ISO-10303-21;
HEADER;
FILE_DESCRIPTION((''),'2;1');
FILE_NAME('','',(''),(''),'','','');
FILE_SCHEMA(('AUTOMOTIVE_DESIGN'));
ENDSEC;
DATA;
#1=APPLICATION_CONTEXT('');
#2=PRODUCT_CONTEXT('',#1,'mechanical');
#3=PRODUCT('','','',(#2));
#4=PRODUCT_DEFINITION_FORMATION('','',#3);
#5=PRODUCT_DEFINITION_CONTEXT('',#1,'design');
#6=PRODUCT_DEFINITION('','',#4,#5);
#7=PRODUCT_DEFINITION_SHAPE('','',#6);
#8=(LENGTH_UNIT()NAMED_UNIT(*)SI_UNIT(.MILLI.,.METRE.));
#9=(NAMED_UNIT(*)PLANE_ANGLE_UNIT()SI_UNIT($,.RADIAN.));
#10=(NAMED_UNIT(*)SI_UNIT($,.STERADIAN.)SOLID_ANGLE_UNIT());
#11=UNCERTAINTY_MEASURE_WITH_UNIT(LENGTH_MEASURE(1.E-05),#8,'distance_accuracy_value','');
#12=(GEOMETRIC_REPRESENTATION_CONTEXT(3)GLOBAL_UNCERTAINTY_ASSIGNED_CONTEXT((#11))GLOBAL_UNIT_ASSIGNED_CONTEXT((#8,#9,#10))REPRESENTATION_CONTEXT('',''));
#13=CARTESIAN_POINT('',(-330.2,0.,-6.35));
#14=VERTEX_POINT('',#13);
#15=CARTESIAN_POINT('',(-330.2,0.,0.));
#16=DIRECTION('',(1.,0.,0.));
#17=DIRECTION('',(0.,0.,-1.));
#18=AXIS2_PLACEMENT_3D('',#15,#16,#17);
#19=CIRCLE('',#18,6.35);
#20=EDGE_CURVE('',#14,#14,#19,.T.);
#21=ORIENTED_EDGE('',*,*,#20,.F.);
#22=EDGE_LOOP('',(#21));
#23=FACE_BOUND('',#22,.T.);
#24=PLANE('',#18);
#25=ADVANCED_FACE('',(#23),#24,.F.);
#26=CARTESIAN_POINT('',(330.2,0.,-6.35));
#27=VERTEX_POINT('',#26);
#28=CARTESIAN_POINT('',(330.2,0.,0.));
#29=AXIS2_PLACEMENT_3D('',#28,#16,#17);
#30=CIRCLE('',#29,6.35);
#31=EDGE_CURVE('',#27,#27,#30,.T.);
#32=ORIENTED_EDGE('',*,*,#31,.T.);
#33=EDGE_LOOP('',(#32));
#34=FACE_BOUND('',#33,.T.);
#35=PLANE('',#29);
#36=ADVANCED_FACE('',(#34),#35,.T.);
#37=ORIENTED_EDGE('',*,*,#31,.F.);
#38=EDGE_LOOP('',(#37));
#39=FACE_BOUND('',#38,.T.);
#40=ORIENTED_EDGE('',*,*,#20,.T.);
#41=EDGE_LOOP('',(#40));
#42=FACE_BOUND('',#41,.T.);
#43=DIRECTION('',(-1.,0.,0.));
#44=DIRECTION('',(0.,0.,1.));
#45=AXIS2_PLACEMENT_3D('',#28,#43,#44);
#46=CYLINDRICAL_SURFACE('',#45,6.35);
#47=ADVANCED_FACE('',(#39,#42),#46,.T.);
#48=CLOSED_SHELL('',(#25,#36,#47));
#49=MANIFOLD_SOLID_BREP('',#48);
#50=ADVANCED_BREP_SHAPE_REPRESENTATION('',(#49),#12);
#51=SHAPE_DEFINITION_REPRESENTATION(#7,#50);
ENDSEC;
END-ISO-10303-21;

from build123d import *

# Parameters (mm, degrees)
SKETCH1_R           = 6.35
BOSS_EXTRUDE1_DEPTH = 330.2


with BuildPart() as part:
    # Sketch1 → Boss-Extrude1 (new body, symmetric)
    with BuildSketch(Plane(origin=(0, 0, 0), x_dir=(0, 0, -1), z_dir=(1, 0, 0))):
        Circle(SKETCH1_R)
    extrude(amount=BOSS_EXTRUDE1_DEPTH, both=True)


solid = part.part
